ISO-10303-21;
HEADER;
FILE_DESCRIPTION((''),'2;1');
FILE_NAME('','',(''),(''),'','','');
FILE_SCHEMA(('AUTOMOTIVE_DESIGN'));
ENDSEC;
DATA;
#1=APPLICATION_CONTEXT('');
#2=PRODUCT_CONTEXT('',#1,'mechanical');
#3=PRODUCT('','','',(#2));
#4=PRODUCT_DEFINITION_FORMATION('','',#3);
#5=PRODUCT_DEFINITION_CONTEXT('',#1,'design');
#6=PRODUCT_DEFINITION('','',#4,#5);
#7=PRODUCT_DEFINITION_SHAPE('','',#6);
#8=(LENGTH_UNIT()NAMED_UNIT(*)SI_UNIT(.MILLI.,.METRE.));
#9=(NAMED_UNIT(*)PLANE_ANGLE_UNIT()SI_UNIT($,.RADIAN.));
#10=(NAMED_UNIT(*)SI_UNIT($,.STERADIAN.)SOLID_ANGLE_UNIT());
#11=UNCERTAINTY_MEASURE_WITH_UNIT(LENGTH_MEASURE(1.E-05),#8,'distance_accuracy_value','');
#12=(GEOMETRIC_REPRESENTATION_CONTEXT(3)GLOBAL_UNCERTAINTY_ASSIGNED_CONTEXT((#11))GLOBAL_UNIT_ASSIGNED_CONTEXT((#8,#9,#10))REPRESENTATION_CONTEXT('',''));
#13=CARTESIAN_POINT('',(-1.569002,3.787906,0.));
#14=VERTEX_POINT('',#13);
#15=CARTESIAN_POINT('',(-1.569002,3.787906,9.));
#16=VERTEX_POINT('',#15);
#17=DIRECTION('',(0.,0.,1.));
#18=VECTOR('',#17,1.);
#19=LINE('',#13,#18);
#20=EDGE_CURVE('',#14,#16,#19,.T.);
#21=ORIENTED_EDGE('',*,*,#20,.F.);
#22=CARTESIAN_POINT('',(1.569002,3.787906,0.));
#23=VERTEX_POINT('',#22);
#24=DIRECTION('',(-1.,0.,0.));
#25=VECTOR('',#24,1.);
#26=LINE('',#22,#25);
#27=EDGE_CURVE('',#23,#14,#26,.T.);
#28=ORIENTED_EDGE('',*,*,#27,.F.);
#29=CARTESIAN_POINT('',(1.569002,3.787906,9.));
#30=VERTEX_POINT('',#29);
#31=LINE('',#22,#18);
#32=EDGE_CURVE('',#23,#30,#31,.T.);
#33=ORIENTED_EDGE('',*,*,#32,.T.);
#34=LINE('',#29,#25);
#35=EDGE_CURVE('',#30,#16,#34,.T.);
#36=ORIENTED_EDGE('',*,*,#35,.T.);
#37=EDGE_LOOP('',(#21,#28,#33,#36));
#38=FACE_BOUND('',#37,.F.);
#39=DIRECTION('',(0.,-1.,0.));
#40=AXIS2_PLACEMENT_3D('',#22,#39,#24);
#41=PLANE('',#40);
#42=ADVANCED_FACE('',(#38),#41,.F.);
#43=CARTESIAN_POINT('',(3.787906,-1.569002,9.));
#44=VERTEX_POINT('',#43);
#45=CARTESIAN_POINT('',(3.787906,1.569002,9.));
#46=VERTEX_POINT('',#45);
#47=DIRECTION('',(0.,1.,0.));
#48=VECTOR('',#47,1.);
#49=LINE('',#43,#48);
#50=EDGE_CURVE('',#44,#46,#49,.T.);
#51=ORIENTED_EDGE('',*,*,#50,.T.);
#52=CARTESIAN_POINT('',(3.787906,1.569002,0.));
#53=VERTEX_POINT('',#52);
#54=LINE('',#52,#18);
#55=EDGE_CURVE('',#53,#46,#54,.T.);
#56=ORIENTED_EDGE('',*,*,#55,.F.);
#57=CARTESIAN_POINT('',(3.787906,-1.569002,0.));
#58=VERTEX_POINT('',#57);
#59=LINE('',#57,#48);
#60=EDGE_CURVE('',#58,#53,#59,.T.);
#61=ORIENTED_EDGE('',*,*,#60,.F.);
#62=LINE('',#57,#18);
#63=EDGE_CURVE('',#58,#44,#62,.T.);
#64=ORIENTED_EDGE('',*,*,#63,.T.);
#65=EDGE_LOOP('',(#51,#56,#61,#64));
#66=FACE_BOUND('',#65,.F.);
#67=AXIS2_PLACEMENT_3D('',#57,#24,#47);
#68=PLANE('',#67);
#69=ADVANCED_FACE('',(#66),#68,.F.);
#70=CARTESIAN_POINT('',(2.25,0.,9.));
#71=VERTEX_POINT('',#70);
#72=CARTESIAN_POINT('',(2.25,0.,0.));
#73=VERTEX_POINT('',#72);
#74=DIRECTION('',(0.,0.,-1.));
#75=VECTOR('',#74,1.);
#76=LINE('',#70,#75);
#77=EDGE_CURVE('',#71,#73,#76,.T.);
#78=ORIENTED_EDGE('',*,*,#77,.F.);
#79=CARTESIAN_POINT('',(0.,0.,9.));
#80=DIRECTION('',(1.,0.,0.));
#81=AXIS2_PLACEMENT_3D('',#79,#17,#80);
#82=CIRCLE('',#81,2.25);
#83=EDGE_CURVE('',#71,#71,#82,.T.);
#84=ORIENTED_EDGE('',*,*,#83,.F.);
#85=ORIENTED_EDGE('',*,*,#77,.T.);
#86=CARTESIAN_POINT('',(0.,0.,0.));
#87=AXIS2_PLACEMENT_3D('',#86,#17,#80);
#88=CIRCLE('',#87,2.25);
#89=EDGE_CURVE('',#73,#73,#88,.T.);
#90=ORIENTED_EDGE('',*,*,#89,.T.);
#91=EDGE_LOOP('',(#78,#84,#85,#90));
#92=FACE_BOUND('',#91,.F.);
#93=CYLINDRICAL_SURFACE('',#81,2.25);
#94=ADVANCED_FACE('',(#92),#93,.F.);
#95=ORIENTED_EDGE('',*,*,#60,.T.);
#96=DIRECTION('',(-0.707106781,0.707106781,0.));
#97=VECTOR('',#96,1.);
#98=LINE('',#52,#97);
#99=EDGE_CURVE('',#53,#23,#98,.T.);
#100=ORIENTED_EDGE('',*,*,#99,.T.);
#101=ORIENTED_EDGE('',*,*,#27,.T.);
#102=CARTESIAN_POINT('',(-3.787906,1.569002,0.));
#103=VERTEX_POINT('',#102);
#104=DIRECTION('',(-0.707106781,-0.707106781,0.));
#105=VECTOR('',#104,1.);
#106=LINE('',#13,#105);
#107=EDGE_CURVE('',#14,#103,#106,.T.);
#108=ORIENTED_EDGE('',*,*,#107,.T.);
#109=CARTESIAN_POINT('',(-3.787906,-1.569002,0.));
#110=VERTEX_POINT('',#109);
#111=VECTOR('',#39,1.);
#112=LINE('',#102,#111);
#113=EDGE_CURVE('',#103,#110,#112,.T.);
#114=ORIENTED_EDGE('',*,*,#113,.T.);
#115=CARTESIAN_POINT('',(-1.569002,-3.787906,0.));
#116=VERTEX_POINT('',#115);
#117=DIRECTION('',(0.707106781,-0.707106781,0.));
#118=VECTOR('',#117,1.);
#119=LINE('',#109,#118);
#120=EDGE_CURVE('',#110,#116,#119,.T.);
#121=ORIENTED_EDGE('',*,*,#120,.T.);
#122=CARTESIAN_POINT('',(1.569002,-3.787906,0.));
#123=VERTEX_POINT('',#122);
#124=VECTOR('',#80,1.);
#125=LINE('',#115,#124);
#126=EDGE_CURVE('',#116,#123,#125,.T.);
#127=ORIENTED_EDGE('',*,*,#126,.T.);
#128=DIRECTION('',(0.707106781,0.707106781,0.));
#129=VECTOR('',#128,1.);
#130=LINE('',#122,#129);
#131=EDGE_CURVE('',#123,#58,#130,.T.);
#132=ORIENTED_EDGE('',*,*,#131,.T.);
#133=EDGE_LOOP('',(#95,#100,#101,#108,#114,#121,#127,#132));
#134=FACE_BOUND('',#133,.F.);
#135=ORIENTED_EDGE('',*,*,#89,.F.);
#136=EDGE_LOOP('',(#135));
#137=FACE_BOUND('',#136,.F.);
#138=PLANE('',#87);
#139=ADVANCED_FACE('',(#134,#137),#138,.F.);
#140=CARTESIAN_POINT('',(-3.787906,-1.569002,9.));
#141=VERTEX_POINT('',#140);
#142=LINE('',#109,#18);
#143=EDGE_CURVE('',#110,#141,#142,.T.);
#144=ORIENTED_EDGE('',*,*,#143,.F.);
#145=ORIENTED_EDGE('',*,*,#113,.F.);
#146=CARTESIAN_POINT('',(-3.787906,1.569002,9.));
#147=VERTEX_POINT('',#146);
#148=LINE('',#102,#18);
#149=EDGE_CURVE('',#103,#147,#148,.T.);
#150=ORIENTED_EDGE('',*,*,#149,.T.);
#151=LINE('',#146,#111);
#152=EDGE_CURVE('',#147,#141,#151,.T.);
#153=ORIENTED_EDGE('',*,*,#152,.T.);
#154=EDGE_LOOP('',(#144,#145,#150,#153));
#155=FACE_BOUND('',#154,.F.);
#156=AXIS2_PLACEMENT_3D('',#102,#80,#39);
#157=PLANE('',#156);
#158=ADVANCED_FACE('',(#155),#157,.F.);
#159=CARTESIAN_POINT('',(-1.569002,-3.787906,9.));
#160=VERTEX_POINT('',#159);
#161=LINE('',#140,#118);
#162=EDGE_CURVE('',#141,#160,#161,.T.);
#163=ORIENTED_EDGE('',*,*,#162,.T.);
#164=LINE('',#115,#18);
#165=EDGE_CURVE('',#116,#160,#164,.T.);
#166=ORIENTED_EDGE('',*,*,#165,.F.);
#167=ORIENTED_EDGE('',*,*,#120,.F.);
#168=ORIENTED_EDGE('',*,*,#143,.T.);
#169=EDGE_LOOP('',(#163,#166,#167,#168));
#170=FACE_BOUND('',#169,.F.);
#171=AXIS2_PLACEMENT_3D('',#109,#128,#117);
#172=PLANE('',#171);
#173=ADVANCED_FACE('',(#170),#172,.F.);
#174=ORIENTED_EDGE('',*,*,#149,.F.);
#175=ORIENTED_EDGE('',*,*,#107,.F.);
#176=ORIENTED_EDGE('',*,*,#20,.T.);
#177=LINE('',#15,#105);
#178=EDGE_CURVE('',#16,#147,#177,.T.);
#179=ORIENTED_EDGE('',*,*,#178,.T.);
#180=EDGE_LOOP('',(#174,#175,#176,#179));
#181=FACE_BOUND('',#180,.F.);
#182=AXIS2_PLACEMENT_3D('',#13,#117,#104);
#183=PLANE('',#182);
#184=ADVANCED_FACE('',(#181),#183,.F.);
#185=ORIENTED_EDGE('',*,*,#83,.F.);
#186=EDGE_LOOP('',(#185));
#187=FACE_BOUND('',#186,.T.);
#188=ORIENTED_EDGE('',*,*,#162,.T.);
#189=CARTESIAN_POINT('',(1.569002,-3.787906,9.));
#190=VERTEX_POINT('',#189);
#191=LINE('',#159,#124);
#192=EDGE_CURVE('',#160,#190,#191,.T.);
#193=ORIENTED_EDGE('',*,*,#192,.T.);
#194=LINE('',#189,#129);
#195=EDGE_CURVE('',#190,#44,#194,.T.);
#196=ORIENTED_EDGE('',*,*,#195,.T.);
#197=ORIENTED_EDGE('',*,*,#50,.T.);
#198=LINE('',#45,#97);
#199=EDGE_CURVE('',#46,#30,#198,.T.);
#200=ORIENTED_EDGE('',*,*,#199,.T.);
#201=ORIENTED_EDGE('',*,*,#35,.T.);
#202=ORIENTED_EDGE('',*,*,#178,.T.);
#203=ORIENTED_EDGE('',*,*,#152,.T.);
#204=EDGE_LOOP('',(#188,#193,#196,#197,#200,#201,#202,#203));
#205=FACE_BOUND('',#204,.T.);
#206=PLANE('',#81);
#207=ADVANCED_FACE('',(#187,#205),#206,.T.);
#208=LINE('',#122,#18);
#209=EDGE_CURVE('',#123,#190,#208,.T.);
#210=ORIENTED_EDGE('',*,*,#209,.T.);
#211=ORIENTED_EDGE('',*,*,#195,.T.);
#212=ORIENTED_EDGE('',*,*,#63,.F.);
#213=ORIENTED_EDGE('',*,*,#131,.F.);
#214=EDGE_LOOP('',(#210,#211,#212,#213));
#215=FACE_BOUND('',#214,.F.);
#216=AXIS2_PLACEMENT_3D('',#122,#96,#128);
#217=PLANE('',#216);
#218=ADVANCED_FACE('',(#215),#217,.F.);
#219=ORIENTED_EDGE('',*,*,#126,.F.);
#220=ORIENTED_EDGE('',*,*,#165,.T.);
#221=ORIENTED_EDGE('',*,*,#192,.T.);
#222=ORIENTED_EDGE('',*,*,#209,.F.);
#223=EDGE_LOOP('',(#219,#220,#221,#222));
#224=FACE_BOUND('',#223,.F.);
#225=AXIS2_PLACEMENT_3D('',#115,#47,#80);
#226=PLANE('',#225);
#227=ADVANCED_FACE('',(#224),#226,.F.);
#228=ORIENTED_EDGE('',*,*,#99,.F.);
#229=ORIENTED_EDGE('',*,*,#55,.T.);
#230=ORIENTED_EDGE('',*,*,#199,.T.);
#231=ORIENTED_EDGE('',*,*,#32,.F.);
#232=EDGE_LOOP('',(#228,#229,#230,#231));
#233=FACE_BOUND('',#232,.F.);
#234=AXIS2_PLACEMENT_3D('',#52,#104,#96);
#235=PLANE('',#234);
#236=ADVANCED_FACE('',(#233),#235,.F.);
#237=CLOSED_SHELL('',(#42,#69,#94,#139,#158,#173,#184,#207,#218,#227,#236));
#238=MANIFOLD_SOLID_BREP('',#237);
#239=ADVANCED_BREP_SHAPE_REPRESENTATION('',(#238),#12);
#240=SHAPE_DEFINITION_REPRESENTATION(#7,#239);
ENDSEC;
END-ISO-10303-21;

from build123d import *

# Parameters (mm, degrees)
PAD_DEPTH    = 9
SKETCH001_R  = 2.25
POCKET_DEPTH = 9.001


with BuildPart() as part:
    # Sketch → Pad (new body)
    with BuildSketch(Plane.XY):
        Polygon((1.569002, -3.787906), (3.787906, -1.569002), (3.787906, 1.569002), (1.569002, 3.787906), (-1.569002, 3.787906), (-3.787906, 1.569002), (-3.787906, -1.569002), (-1.569002, -3.787906), align=None)
    extrude(amount=PAD_DEPTH)

    # Sketch001 (on Face10 of Pad) → Pocket (cut, through all)
    with BuildSketch(Plane.XY.offset(9)):
        Circle(SKETCH001_R)
    extrude(amount=-POCKET_DEPTH, mode=Mode.SUBTRACT)


solid = part.part
